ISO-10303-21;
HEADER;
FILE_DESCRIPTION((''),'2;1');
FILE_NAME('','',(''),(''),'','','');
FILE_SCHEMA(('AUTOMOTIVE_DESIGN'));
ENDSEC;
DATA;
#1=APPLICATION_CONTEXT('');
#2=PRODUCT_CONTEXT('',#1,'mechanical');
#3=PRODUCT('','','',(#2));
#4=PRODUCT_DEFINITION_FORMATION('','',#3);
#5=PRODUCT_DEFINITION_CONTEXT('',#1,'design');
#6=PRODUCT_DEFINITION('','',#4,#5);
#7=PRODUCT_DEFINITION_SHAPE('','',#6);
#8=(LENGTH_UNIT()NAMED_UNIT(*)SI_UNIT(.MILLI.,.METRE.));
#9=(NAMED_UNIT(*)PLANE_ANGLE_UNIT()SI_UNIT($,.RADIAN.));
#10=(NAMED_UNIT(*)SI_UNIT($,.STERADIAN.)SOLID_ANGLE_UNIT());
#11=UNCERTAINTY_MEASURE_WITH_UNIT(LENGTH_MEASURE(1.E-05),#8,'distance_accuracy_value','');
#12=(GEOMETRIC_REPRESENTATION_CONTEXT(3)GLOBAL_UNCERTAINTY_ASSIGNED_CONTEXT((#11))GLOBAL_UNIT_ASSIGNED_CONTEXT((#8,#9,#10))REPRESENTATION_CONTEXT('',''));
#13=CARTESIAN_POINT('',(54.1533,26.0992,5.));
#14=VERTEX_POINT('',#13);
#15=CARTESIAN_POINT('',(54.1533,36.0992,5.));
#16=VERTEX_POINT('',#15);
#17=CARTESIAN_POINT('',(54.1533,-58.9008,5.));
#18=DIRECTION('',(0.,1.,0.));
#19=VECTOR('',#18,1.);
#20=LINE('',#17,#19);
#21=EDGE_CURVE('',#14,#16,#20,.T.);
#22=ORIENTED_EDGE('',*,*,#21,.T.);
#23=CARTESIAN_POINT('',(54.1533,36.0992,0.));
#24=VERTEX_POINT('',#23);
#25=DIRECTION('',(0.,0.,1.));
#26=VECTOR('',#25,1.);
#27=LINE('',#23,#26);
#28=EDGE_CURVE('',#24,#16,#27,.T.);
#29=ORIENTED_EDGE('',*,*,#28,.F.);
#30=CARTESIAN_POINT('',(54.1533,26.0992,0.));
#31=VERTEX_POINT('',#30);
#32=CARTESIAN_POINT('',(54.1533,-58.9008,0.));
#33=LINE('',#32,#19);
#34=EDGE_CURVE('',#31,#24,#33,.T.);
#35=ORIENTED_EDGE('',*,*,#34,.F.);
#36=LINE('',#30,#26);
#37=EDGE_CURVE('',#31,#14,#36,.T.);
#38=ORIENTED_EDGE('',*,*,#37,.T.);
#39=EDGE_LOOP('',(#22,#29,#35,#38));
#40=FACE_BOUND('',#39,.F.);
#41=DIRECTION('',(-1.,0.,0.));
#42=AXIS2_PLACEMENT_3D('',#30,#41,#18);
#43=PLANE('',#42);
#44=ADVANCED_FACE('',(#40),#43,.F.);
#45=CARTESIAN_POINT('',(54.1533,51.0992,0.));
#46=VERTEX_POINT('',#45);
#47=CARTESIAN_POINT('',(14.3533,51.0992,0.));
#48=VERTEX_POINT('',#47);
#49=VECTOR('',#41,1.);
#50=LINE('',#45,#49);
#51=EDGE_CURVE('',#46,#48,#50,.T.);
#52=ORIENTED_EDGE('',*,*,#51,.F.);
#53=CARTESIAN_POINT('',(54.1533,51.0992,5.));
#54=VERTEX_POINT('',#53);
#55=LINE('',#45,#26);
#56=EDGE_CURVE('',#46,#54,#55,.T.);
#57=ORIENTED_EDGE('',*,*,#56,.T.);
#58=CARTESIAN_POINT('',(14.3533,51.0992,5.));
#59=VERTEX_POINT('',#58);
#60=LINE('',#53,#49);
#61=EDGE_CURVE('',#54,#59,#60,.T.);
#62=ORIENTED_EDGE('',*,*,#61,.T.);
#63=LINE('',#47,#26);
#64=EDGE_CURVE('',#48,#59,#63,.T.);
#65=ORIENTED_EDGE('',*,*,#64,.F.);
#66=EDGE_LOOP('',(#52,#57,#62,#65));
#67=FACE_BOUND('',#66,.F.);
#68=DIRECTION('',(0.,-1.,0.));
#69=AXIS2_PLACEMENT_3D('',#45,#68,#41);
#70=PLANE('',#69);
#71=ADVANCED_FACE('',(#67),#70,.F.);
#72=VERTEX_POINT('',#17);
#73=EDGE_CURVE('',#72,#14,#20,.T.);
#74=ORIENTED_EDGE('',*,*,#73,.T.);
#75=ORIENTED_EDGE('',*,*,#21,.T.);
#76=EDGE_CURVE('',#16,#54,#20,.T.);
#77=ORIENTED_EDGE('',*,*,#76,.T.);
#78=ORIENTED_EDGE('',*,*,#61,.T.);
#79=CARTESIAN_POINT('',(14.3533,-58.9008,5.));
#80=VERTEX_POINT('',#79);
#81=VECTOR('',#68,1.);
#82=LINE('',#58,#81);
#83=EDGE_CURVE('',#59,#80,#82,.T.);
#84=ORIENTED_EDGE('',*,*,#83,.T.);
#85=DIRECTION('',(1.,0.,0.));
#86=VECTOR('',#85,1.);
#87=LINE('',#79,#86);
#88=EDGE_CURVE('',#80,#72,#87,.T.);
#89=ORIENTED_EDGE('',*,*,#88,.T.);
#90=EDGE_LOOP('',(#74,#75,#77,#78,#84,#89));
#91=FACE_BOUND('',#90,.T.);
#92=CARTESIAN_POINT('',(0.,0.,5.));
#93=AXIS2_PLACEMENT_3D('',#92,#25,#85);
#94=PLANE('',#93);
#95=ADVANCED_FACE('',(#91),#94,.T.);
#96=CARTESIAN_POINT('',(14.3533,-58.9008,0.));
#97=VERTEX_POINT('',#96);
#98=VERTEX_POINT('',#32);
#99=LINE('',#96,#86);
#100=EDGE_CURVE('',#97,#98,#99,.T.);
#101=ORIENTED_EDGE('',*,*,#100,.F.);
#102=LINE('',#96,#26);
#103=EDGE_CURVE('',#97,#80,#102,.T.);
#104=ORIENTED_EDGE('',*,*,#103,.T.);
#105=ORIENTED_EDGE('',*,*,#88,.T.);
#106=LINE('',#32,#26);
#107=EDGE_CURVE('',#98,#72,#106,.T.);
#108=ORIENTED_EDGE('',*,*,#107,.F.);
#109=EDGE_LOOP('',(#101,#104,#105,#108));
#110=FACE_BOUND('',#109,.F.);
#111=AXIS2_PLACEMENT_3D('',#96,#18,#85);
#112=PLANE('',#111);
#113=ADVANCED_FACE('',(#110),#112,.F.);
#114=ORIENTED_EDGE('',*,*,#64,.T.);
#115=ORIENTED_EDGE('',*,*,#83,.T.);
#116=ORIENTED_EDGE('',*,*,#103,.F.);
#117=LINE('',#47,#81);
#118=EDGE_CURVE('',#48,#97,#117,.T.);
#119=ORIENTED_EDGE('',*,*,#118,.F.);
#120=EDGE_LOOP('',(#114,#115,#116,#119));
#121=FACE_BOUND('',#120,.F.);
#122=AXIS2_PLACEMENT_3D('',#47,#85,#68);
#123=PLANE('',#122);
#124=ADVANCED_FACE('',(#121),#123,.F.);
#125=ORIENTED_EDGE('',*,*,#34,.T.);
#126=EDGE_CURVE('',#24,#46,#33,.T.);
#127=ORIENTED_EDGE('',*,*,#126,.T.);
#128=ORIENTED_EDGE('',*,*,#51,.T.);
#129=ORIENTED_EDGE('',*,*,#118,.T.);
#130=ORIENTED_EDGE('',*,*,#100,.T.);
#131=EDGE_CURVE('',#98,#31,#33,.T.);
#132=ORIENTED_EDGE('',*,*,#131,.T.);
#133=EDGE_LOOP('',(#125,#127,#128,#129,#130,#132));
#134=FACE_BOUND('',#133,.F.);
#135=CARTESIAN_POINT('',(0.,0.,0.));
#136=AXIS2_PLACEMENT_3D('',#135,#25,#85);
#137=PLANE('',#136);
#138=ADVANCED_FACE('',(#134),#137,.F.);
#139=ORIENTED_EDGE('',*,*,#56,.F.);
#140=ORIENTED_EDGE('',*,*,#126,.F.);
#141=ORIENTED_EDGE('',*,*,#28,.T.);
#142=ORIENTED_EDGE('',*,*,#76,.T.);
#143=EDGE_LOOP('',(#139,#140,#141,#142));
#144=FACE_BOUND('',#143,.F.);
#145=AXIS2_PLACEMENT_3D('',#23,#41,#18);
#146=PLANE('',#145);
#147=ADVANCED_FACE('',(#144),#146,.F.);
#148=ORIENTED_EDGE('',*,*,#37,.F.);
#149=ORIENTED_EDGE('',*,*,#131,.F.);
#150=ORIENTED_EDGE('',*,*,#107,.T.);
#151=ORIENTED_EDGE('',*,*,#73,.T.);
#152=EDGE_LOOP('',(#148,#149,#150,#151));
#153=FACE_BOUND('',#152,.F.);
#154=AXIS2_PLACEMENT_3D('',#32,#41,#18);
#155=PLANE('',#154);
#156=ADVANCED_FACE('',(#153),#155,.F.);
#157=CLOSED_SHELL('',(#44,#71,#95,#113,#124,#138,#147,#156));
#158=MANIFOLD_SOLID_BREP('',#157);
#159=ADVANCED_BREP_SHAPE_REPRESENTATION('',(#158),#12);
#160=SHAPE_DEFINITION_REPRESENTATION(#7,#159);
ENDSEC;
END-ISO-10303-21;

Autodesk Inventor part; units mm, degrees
ref_plane "YZ Plane" through (0, 0, 0) normal (1, 0, 0) x (0, 1, 0)
ref_plane "XZ Plane" through (0, 0, 0) normal (0, 1, 0) x (-1, 0, 0)
ref_plane "XY Plane" through (0, 0, 0) normal (0, 0, 1) x (1, 0, 0)
sketch "Sketch1" plane through (0, 0, 0) normal (0, 0, 1) x (1, 0, 0)
  point P0 (0, 0)
sketch "Sketch2" plane through (0, 0, 0) normal (0, 0, 1) x (1, 0, 0)
  line L0 (14.3533, -58.9008) -> (54.1533, -58.9008)
  line L1 (54.1533, -58.9008) -> (54.1533, 51.0992)
  line L2 (54.1533, 51.0992) -> (14.3533, 51.0992)
  line L3 (14.3533, 51.0992) -> (14.3533, -58.9008)
  line L4 (54.1533, -3.9008) -> (14.3533, -3.9008) construction
  line L5 (54.1533, 51.0992) -> (54.1533, 36.0992)
  line L6 (54.1533, 26.0992) -> (54.1533, 36.0992)
  line L7 (34.2533, 51.0992) -> (34.2533, -58.9008) construction
  dimension "d1" = 39.8
  dimension "d2" = 110
extrude "Extrusion1" add sketch "Sketch2" along normal blind 5
properties part number "Lifting Sections floor"
